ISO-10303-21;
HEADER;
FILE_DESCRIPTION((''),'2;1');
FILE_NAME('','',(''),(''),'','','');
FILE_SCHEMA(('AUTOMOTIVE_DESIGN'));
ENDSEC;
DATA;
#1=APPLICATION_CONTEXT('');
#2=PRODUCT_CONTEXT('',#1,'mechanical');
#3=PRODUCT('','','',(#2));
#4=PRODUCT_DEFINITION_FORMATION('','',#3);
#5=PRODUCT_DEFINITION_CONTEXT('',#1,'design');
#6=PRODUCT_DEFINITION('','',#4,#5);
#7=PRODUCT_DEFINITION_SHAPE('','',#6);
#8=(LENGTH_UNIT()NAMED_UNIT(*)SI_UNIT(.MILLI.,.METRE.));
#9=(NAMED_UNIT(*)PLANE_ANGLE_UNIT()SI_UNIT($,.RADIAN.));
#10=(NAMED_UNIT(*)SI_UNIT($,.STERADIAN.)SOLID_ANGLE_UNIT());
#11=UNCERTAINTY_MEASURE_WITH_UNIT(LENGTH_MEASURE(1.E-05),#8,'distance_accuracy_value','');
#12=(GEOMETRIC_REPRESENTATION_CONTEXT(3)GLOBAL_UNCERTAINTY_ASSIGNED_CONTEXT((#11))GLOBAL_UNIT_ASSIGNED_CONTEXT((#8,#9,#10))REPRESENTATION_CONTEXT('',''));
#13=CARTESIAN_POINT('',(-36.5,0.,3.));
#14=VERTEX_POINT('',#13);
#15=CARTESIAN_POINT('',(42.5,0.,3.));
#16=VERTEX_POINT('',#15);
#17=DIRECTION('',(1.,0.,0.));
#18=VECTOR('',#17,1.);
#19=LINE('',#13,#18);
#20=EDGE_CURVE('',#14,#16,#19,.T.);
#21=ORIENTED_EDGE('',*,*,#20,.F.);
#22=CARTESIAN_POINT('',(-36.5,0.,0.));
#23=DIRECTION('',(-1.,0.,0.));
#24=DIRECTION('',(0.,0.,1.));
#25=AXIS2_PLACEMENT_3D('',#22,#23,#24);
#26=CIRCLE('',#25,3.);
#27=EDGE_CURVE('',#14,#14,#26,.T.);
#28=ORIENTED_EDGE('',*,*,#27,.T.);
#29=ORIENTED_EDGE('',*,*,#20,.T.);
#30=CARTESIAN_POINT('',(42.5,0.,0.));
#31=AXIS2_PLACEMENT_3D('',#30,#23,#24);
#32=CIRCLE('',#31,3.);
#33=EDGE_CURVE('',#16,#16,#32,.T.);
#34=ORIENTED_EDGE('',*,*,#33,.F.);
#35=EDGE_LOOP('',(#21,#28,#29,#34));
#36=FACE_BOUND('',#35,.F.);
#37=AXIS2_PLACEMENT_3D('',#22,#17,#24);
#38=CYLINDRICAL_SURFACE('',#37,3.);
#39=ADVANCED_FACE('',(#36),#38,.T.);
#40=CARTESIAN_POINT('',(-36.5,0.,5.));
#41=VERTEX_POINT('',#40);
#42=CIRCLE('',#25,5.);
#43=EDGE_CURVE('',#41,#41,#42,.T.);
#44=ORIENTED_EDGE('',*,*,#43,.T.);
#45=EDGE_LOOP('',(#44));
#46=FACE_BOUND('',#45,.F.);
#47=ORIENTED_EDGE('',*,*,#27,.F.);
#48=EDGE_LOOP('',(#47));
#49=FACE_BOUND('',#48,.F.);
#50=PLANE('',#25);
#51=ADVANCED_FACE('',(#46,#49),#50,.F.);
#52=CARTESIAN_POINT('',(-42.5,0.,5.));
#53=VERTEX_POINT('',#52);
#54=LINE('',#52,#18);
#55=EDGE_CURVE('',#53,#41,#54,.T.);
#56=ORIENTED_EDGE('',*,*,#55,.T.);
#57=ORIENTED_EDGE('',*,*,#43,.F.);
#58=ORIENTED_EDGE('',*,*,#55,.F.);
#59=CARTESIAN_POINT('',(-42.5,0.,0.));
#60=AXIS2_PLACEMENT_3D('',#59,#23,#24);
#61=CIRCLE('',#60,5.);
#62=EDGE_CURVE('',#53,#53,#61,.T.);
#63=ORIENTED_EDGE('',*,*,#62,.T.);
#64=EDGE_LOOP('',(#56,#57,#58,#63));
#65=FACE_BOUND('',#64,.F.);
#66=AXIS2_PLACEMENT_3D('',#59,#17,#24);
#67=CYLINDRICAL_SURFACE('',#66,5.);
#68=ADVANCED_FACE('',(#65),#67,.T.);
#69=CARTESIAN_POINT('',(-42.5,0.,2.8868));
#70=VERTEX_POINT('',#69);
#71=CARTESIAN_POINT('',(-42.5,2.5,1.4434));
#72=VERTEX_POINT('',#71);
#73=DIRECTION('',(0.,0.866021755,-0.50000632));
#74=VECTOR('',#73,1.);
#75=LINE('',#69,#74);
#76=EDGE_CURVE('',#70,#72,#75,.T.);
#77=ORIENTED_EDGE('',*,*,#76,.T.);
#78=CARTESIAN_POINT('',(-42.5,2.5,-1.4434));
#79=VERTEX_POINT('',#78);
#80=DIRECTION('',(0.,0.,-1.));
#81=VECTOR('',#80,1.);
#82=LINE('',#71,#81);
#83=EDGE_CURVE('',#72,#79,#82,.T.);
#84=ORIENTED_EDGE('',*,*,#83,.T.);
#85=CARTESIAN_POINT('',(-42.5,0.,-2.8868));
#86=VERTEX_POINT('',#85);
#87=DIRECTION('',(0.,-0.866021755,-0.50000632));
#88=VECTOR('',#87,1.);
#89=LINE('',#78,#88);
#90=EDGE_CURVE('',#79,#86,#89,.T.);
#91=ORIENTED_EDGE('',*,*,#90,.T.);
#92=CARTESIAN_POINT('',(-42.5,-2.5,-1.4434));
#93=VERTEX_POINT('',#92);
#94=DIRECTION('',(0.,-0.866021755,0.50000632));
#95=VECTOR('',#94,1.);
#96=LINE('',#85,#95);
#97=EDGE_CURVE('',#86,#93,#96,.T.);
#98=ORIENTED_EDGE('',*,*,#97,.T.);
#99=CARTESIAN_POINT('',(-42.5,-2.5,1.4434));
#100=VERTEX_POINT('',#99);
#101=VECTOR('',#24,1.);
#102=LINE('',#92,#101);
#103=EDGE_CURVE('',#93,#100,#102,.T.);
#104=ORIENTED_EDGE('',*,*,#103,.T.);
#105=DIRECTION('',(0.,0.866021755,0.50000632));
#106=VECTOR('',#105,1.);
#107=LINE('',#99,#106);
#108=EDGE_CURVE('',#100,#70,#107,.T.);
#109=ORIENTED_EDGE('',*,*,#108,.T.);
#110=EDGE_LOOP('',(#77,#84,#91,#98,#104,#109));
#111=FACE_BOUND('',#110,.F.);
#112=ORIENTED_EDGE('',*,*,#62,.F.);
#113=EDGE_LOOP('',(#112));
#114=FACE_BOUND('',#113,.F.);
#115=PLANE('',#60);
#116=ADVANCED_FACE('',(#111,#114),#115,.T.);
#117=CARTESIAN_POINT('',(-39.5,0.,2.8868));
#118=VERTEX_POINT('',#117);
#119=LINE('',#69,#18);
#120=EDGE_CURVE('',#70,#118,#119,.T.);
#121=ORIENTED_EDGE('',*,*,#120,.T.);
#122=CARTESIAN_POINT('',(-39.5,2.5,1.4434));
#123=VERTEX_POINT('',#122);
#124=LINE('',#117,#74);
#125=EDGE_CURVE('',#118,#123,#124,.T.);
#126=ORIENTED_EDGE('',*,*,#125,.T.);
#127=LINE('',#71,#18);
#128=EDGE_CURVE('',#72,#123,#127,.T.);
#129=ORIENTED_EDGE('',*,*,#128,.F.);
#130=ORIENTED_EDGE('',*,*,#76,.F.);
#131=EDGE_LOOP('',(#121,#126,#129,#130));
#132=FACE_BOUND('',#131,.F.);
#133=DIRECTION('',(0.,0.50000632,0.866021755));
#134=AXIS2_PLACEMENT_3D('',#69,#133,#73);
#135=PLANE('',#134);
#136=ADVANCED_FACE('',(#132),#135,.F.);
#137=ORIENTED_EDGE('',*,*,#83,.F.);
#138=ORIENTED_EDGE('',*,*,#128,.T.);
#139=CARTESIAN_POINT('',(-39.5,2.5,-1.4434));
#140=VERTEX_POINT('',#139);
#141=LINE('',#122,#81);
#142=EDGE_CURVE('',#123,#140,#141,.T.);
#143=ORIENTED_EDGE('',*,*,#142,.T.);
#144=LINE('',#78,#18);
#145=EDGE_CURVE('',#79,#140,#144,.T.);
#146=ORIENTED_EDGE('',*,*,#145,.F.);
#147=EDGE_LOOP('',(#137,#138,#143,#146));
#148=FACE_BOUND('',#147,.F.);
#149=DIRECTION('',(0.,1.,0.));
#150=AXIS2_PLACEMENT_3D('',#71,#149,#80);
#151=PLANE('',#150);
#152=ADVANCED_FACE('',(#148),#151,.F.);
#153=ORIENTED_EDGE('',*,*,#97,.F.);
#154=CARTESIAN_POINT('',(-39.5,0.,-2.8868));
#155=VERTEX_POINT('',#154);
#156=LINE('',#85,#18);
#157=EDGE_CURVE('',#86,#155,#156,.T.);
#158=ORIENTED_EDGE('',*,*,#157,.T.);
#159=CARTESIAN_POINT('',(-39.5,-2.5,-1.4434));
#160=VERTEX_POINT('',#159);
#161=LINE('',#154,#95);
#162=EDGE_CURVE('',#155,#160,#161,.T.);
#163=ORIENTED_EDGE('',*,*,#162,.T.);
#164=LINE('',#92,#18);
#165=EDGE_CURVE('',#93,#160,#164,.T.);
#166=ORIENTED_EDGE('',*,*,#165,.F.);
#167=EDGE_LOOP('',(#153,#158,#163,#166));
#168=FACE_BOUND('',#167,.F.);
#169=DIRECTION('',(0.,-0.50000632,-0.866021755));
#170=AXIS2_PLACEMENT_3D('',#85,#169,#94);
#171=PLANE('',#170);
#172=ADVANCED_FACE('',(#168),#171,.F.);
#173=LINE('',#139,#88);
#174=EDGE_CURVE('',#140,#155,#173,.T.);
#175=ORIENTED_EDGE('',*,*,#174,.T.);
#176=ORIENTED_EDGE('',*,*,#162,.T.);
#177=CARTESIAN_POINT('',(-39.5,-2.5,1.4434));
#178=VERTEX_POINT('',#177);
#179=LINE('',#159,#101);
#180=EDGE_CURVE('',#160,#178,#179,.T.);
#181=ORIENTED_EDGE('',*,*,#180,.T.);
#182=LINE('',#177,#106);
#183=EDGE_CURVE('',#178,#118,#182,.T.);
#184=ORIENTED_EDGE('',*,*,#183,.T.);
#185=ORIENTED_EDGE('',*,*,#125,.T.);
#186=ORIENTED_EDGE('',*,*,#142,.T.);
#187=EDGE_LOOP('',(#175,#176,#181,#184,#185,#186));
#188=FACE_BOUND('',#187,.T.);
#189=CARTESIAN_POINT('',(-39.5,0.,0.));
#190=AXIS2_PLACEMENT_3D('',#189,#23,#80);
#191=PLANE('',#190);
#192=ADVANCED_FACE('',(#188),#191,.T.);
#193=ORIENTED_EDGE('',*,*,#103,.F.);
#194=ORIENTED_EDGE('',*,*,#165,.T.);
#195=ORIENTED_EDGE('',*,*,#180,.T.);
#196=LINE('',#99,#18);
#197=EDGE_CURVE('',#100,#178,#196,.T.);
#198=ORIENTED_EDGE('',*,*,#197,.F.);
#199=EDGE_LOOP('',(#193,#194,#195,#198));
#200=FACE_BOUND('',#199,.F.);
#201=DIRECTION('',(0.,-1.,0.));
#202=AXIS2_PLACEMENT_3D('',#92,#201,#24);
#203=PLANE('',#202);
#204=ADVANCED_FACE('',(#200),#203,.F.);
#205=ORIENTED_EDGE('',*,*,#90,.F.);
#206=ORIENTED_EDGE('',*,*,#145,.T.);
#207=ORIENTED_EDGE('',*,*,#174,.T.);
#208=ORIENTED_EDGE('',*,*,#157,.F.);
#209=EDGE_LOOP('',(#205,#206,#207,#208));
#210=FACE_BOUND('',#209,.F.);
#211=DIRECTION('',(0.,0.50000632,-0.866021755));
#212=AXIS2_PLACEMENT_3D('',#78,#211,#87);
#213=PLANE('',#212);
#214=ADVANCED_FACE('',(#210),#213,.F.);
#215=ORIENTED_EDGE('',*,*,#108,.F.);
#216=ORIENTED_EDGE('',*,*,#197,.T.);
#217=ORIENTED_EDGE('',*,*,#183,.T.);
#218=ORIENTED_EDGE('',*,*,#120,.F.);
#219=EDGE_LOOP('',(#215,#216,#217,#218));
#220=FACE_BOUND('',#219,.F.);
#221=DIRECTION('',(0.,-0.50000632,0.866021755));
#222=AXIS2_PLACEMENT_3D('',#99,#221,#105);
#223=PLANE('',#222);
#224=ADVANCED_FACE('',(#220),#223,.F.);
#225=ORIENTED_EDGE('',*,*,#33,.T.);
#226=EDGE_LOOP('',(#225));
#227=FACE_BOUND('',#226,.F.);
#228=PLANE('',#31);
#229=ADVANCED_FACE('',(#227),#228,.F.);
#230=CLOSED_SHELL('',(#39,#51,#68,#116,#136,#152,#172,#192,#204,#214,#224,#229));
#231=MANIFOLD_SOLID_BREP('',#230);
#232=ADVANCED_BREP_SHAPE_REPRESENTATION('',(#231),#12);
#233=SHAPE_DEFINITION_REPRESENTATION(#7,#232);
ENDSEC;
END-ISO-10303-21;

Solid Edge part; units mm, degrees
sketch "Sketch1" plane through (10.8674, 0, 10.8674) normal (0, -1, 0) x (1, 0, 0)
  line L0 (-53.3674, -10.8674) -> (-53.3674, -5.8674)
  line L1 (-53.3674, -5.8674) -> (-47.3674, -5.8674)
  line L2 (-47.3674, -5.8674) -> (-47.3674, -7.8674)
  line L3 (-47.3674, -7.8674) -> (31.6326, -7.8674)
  line L4 (31.6326, -7.8674) -> (31.6326, -10.8674)
  dimension "D1" = 6
  dimension "D2" = 79
revolve "RevolvedProtrusion1" add sketch "Sketch1" angle 360 about axis through (16.5, 0, 0) along (-1, 0, 0)
sketch "Sketch2" plane through (-42.5, 0, 0) normal (-1, 0, 0) x (0, 0, -1)
  line L0 (2.8868, 0) -> (1.4434, 2.5)
  line L1 (1.4434, 2.5) -> (-1.4434, 2.5)
  line L2 (-1.4434, 2.5) -> (-2.8868, 0)
  line L3 (-2.8868, 0) -> (-1.4434, -2.5)
  line L4 (-1.4434, -2.5) -> (1.4434, -2.5)
  line L5 (1.4434, -2.5) -> (2.8868, 0)
  dimension "D1" = 5
extrude "Cutout1" cut sketch "Sketch2" against normal blind 3
cosmetic_thread "Gänga" size "M6" thread depth 4
properties material "Steel"
